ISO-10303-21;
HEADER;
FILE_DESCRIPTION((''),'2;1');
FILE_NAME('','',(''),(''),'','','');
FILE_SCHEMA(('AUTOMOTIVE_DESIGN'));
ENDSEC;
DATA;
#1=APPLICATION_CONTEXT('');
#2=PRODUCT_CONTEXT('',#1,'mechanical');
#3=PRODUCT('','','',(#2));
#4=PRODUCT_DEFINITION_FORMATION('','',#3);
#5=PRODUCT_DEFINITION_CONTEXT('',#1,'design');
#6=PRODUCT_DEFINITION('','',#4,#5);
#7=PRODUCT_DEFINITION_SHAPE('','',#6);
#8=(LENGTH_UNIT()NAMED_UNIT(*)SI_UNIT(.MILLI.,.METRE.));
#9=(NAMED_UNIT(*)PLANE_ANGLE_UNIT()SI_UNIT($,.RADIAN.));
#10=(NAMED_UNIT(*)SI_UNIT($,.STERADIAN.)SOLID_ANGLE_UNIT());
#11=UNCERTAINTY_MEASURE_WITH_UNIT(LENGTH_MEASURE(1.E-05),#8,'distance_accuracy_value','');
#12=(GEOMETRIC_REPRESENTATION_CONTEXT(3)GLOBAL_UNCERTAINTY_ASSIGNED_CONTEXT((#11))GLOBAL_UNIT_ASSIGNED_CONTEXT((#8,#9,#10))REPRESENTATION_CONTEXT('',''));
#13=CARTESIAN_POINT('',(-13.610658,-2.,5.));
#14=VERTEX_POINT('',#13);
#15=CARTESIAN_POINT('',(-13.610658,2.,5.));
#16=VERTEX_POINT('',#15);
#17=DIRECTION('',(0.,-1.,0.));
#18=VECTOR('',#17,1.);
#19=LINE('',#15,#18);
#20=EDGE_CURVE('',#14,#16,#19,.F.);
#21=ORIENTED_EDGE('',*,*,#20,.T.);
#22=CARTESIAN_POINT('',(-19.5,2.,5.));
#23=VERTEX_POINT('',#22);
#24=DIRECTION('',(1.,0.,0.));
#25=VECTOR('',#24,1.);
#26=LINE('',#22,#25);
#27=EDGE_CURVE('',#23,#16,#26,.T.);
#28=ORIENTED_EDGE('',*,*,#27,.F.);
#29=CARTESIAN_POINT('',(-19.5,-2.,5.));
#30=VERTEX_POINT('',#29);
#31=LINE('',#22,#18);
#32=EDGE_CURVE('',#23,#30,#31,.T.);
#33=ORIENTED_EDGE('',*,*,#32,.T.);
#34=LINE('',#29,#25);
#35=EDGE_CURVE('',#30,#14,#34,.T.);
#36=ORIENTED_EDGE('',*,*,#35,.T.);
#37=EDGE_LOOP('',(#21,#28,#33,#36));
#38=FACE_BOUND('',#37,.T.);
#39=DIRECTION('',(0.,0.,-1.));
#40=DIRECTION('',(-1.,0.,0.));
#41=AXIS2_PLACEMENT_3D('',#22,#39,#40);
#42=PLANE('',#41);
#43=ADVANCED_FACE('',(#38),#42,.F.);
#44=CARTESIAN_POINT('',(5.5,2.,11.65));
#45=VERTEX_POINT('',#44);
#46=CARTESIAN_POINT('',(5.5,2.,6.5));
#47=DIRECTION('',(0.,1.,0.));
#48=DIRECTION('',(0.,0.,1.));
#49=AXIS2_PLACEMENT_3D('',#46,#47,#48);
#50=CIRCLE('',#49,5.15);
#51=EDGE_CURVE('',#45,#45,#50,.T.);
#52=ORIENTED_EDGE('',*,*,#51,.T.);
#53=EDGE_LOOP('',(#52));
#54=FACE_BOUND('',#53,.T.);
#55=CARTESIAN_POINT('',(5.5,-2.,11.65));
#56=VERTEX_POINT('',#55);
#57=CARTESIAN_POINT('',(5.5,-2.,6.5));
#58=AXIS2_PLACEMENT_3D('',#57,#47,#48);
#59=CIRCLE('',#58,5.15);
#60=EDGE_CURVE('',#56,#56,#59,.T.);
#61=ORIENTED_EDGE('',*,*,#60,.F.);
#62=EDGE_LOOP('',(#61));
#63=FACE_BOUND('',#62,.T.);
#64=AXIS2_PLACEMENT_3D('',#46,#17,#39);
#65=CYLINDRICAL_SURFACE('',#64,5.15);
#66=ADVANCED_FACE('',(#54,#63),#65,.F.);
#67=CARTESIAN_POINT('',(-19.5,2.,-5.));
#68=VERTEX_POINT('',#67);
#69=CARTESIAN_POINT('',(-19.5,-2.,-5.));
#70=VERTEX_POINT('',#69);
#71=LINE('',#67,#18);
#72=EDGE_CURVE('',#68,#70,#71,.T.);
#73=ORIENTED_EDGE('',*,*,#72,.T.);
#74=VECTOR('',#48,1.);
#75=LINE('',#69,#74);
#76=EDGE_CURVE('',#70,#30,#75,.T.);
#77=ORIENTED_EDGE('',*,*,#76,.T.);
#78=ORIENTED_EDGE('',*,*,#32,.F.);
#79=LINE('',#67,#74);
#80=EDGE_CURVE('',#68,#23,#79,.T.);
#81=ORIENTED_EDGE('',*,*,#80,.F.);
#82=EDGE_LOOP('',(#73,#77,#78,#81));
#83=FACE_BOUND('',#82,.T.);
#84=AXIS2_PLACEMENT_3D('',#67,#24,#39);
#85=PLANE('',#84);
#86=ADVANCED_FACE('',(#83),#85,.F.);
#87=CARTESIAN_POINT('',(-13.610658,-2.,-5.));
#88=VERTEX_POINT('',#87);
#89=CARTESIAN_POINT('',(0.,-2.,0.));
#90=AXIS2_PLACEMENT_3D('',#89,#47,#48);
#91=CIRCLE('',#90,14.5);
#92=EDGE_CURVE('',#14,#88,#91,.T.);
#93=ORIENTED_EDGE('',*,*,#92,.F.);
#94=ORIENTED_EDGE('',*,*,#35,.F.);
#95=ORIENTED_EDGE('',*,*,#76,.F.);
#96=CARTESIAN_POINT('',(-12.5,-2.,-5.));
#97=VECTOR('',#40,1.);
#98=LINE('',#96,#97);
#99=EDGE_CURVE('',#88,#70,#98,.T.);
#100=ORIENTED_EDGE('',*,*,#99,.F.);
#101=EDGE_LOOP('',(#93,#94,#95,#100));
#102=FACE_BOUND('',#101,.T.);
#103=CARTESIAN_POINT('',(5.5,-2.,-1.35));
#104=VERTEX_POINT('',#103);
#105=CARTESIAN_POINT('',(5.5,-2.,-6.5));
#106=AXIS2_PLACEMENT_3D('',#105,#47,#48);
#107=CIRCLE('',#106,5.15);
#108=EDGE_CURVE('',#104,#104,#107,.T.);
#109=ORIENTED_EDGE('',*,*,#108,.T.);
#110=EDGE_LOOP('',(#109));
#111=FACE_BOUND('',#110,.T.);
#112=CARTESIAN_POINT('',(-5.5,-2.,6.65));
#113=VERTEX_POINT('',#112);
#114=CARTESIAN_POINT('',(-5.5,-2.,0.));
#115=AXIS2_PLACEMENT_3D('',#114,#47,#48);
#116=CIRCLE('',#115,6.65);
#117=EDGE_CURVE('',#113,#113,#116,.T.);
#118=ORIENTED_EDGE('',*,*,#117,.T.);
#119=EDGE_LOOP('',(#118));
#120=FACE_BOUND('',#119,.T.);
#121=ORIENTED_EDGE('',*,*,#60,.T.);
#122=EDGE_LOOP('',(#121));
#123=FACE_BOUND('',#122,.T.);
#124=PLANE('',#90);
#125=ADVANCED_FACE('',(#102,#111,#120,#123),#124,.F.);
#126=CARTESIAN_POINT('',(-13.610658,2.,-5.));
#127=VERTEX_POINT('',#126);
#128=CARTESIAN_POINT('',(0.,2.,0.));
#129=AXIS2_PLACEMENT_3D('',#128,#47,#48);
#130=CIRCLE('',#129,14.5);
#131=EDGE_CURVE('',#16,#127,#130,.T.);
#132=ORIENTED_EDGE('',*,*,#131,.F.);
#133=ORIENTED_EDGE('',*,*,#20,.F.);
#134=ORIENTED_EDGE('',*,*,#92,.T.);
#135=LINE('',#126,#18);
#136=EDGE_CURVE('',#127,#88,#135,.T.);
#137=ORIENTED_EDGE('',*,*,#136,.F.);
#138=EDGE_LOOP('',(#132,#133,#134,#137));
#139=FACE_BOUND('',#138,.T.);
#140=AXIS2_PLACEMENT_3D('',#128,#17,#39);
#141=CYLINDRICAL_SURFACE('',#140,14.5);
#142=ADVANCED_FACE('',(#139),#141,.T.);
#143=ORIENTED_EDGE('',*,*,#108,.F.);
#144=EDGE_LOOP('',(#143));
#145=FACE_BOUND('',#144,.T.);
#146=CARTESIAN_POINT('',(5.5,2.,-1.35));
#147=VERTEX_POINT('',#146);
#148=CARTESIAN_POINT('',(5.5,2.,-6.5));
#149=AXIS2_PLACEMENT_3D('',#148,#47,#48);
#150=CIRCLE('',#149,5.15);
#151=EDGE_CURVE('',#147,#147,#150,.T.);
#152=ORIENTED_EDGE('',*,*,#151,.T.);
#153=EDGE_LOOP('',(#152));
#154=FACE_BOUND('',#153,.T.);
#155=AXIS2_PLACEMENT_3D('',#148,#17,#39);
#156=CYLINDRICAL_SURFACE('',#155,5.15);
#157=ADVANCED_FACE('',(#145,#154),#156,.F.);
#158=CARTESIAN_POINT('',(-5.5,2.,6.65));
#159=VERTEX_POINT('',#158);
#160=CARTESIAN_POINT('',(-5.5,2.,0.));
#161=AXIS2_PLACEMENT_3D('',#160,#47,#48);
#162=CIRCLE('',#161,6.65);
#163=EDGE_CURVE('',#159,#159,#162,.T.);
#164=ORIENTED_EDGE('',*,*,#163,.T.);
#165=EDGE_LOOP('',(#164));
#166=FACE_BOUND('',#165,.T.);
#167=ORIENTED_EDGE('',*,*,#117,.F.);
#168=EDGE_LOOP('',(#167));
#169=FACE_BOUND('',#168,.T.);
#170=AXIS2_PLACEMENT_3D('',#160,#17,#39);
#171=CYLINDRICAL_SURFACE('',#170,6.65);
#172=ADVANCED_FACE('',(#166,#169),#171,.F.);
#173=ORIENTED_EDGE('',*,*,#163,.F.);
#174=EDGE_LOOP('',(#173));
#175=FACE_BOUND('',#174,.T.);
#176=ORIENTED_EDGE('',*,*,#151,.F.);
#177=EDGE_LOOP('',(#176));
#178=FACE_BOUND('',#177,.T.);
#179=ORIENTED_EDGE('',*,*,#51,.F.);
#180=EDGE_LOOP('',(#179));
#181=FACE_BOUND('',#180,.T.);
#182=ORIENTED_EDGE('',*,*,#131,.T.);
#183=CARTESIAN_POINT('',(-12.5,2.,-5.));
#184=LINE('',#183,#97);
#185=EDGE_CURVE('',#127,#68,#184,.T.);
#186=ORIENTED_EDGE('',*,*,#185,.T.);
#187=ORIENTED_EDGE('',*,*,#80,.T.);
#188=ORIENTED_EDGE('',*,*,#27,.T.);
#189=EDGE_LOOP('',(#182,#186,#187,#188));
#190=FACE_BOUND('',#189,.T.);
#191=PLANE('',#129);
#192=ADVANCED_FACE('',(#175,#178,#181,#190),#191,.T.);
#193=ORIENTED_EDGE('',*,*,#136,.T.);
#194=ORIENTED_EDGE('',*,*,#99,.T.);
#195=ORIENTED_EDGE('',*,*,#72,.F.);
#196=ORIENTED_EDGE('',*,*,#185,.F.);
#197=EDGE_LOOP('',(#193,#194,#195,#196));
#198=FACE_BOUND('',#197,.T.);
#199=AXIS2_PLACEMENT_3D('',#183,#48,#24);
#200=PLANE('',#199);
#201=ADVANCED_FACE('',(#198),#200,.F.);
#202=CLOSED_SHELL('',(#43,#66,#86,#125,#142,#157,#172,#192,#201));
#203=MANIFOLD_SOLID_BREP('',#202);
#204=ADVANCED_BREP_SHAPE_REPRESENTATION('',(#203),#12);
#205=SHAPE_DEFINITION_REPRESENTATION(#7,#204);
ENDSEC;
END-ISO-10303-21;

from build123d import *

# Parameters (mm, degrees)
SKETCH1_R             = 14.5
SKETCH1_R_2           = 6.65
SKETCH1_R_3           = 5.15
DISCO_SEPARADOR_DEPTH = 4
SKETCH2_W             = 7
SKETCH2_H             = 10
PATA_AL_HUESO_DEPTH   = 4


with BuildPart() as part:
    # Sketch1 → Disco_separador (new body)
    with BuildSketch(Plane(origin=(0, -2, 0), x_dir=(1, 0, 0), z_dir=(0, 1, 0))):
        with Locations(Location((0, 0, 0), (0, 0, 270))):
            Circle(SKETCH1_R)
        with Locations(Location((-5.5, 0, 0), (0, 0, 270))):
            Circle(SKETCH1_R_2, mode=Mode.SUBTRACT)
        with Locations(Location((5.5, -6.5, 0), (0, 0, 270))):
            Circle(SKETCH1_R_3, mode=Mode.SUBTRACT)
        with Locations(Location((5.5, 6.5, 0), (0, 0, 270))):
            Circle(SKETCH1_R_3, mode=Mode.SUBTRACT)
    extrude(amount=DISCO_SEPARADOR_DEPTH)

    # Sketch2 → Pata_al_hueso (add)
    with BuildSketch(Plane(origin=(0, -2, 0), x_dir=(1, 0, 0), z_dir=(0, 1, 0))):
        with Locations((-16, 0)):
            Rectangle(SKETCH2_W, SKETCH2_H)
    extrude(amount=PATA_AL_HUESO_DEPTH)


solid = part.part
